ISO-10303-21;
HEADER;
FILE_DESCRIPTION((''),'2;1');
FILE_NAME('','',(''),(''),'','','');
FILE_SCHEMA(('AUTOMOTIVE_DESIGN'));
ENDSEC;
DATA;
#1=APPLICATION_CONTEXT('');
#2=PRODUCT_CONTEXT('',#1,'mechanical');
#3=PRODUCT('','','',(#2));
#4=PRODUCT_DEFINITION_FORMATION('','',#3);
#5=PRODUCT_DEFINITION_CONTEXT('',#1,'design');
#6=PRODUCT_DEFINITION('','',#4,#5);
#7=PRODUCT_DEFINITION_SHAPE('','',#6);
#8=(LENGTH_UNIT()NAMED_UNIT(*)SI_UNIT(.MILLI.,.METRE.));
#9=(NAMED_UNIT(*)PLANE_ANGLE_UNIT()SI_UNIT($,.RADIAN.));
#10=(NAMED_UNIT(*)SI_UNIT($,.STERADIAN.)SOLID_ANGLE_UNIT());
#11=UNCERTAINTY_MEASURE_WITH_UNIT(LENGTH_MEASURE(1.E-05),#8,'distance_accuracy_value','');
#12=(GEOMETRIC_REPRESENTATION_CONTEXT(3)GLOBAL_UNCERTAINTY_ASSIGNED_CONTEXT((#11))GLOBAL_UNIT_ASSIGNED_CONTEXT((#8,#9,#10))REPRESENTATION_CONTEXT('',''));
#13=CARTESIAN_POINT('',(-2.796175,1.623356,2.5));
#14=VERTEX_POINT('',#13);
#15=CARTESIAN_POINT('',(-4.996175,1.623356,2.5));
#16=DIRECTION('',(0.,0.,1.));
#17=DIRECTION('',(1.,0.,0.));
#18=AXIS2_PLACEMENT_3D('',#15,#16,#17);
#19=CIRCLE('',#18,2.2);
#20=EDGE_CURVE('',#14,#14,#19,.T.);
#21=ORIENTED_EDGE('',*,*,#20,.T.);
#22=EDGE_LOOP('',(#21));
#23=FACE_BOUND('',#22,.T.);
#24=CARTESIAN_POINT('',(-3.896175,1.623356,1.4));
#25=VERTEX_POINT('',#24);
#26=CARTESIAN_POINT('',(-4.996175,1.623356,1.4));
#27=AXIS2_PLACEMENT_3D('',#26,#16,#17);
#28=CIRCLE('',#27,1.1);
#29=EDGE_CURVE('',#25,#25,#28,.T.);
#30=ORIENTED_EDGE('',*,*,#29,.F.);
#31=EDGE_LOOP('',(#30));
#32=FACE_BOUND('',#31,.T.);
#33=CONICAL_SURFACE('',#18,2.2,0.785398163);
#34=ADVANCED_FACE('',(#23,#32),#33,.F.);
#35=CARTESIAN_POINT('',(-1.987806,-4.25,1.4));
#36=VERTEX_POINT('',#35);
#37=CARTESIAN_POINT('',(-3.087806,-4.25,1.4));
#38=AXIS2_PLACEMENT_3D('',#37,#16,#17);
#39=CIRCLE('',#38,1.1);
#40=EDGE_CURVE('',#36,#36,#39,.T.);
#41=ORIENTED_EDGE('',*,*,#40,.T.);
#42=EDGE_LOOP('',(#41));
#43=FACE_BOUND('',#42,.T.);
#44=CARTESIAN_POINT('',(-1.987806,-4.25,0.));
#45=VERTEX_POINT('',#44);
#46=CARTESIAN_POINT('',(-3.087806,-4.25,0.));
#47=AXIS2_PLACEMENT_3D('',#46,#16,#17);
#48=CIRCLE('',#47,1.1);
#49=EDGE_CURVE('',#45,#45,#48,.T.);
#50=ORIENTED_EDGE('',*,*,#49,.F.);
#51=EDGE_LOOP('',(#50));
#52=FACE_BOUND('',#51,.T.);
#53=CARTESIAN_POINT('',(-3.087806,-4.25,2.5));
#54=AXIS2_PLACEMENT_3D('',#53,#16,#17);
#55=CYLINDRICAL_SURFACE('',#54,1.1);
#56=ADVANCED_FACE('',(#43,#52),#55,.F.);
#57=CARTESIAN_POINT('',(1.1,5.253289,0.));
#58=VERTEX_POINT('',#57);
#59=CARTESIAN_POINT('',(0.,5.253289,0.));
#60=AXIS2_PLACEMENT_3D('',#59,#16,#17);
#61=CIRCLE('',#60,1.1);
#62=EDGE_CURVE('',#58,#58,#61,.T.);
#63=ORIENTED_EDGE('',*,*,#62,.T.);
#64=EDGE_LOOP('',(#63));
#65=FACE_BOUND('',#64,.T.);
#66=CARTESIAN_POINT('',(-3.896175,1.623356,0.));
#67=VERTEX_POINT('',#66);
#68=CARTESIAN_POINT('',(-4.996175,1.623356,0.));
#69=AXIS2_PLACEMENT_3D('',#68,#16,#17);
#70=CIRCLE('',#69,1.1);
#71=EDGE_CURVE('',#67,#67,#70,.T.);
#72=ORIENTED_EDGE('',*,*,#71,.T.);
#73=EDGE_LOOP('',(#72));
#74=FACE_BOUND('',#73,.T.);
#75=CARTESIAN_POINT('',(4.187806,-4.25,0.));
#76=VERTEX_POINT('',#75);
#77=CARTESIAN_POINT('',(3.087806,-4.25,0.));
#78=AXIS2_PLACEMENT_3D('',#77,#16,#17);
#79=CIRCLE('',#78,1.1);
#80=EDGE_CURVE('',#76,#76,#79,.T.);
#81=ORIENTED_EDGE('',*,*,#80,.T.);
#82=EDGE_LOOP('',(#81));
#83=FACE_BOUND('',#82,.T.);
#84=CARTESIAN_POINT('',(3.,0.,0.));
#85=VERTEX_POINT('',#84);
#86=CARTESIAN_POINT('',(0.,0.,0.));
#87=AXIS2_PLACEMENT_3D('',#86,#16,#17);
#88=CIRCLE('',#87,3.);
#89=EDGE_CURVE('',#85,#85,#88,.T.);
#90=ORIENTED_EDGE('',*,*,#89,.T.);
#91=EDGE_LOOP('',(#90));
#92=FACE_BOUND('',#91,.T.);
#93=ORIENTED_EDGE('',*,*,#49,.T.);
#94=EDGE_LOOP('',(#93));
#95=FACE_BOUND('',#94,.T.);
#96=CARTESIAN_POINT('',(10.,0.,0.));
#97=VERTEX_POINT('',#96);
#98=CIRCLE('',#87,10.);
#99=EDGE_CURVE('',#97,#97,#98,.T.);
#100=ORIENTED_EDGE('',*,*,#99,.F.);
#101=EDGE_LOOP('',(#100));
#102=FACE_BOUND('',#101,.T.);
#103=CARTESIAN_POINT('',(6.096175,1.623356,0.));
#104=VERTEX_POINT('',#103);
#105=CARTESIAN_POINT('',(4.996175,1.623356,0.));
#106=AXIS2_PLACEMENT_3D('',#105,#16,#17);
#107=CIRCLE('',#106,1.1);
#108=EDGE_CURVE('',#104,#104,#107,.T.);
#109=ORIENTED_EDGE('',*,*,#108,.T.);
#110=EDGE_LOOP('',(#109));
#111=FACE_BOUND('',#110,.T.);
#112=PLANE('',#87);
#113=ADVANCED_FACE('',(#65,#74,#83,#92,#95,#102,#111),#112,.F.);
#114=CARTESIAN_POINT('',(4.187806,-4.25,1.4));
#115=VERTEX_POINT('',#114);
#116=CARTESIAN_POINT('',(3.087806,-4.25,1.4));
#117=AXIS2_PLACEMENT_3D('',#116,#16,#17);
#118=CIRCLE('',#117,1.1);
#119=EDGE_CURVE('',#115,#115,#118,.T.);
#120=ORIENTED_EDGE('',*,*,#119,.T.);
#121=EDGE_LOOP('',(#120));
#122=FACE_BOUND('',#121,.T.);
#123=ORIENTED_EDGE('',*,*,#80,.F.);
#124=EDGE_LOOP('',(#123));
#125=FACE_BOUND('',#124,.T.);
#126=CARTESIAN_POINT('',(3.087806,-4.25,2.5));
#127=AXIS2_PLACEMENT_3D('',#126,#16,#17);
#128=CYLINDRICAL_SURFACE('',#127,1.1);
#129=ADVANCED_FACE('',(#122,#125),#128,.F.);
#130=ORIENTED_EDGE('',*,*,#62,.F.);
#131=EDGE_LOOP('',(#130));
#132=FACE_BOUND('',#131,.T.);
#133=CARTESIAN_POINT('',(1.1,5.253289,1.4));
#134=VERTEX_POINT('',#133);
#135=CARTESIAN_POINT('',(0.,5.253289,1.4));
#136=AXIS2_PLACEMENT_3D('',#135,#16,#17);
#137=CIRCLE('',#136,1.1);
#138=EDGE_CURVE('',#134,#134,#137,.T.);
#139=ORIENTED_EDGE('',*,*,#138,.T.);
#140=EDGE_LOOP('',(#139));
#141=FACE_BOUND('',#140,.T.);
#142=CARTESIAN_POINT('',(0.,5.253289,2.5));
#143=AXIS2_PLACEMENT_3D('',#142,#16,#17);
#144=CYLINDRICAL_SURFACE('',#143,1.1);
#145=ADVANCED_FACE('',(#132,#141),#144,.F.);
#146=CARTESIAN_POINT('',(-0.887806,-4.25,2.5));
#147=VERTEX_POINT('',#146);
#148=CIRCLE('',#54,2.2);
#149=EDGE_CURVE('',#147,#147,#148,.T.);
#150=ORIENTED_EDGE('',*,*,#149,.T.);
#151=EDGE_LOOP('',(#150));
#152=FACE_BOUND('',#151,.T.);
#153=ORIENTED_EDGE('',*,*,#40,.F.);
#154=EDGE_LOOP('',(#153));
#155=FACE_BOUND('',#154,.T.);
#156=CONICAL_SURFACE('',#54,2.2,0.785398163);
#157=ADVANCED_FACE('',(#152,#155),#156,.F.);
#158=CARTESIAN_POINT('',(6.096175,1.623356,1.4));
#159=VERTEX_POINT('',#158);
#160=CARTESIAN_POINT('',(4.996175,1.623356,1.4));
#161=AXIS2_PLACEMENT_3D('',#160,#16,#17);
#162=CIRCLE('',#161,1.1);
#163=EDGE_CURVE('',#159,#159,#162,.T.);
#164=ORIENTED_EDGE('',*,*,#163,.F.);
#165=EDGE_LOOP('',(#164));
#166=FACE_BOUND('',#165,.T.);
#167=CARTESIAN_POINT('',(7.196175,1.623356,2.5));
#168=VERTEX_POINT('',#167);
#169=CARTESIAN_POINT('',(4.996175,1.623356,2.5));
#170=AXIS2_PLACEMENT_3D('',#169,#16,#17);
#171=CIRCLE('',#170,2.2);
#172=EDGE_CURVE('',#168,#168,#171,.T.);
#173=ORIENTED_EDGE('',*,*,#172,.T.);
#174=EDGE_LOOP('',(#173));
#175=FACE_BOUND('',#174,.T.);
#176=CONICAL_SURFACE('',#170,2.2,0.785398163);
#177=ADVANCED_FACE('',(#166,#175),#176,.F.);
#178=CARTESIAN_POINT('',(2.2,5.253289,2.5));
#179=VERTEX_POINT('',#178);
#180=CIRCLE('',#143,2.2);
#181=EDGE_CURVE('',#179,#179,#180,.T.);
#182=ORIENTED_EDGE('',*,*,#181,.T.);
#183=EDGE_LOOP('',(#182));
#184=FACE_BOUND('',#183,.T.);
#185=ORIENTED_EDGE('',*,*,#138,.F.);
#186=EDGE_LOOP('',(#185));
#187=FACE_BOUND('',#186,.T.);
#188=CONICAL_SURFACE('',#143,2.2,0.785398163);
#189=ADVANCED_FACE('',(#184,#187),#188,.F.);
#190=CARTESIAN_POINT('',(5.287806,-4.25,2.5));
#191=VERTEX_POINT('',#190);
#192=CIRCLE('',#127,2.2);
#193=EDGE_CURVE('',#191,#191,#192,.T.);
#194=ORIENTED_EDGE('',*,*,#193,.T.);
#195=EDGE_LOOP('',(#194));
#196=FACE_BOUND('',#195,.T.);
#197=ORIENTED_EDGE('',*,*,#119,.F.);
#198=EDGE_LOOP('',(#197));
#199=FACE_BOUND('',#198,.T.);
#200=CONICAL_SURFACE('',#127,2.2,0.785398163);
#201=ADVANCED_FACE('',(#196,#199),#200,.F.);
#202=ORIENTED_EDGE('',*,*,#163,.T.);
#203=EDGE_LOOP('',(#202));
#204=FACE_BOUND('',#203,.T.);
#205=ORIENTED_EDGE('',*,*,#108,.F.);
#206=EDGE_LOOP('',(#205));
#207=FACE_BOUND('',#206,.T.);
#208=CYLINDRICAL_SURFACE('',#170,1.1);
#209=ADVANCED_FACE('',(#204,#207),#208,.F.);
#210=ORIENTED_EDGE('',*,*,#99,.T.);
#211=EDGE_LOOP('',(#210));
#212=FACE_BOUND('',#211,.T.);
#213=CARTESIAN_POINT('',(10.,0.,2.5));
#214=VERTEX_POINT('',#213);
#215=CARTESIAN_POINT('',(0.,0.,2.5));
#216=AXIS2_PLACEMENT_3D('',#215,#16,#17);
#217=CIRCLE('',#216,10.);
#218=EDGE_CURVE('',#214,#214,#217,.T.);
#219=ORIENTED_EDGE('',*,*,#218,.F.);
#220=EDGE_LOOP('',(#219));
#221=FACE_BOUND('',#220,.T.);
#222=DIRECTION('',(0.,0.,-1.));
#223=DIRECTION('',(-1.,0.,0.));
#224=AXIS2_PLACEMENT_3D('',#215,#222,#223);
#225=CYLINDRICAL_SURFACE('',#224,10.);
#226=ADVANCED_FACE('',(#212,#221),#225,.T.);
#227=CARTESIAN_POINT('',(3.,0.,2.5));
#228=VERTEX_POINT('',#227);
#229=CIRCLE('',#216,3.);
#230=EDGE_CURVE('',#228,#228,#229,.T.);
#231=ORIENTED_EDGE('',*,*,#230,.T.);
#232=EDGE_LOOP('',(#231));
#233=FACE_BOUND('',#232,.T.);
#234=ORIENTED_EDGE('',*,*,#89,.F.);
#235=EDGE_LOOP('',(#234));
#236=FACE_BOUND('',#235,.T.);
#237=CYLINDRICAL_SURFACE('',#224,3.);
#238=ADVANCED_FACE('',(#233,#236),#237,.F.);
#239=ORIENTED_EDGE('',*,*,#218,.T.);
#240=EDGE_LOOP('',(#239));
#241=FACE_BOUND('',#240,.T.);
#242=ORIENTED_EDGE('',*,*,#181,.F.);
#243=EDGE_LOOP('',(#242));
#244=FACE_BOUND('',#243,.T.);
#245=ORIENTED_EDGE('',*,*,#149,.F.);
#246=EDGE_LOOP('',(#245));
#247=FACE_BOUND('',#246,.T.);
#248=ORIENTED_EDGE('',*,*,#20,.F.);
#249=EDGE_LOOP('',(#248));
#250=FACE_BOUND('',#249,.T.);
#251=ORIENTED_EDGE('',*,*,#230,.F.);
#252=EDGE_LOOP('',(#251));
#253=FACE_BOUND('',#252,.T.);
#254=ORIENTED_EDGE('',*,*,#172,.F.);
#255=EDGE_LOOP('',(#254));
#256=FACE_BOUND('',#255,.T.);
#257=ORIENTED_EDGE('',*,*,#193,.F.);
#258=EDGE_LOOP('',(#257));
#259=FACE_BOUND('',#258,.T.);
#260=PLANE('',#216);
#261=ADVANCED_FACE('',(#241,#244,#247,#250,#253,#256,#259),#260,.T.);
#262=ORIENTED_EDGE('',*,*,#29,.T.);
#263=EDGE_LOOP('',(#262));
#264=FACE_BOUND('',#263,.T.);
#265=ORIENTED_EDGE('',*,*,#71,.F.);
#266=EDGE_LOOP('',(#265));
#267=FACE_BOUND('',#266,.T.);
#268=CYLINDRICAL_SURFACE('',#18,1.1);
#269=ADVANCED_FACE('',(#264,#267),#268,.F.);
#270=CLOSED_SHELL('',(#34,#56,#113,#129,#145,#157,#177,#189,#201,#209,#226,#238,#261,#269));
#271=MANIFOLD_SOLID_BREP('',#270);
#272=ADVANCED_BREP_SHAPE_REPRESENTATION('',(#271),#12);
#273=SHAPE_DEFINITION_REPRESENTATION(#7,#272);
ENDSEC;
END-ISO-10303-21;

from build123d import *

# Parameters (mm, degrees)
SKETCH1_R                                       = 10
SKETCH1_R_2                                     = 3
BOSS_EXTRUDE1_DEPTH                             = 2.5
CSK_FOR_M2_FLAT_HEAD_MACHINE_SCREW3_D           = 2.2
CSK_FOR_M2_FLAT_HEAD_MACHINE_SCREW3_CSINK_D     = 4.4
CSK_FOR_M2_FLAT_HEAD_MACHINE_SCREW3_CSINK_ANGLE = 90


with BuildPart() as part:
    # Sketch1 → Boss-Extrude1 (new body)
    # profile 1 of 2: a face of its own
    with BuildSketch(Plane.XY):
        Circle(SKETCH1_R)
        Polygon((4.996174644, 1.623355548), (0, 5.253288904), (-4.996174644, 1.623355548), (-3.087805744, -4.25), (3.087805744, -4.25), align=None, mode=Mode.SUBTRACT)
    # profile 2 of 2: a face of its own
    with BuildSketch(Plane.XY):
        Polygon((3.087805744, -4.25), (4.996174644, 1.623355548), (0, 5.253288904), (-4.996174644, 1.623355548), (-3.087805744, -4.25), align=None)
        Circle(SKETCH1_R_2, mode=Mode.SUBTRACT)
    extrude(amount=BOSS_EXTRUDE1_DEPTH)

    # CSK for M2 Flat Head Machine Screw3 (through all)
    with Locations(Plane.XY.offset(2.5)):
        with Locations((0, 5.253288904), (4.996174644, 1.623355548), (3.087805744, -4.25), (-4.996174644, 1.623355548), (-3.087805744, -4.25)):
            CounterSinkHole(CSK_FOR_M2_FLAT_HEAD_MACHINE_SCREW3_D / 2, CSK_FOR_M2_FLAT_HEAD_MACHINE_SCREW3_CSINK_D / 2, counter_sink_angle=CSK_FOR_M2_FLAT_HEAD_MACHINE_SCREW3_CSINK_ANGLE)


solid = part.part
